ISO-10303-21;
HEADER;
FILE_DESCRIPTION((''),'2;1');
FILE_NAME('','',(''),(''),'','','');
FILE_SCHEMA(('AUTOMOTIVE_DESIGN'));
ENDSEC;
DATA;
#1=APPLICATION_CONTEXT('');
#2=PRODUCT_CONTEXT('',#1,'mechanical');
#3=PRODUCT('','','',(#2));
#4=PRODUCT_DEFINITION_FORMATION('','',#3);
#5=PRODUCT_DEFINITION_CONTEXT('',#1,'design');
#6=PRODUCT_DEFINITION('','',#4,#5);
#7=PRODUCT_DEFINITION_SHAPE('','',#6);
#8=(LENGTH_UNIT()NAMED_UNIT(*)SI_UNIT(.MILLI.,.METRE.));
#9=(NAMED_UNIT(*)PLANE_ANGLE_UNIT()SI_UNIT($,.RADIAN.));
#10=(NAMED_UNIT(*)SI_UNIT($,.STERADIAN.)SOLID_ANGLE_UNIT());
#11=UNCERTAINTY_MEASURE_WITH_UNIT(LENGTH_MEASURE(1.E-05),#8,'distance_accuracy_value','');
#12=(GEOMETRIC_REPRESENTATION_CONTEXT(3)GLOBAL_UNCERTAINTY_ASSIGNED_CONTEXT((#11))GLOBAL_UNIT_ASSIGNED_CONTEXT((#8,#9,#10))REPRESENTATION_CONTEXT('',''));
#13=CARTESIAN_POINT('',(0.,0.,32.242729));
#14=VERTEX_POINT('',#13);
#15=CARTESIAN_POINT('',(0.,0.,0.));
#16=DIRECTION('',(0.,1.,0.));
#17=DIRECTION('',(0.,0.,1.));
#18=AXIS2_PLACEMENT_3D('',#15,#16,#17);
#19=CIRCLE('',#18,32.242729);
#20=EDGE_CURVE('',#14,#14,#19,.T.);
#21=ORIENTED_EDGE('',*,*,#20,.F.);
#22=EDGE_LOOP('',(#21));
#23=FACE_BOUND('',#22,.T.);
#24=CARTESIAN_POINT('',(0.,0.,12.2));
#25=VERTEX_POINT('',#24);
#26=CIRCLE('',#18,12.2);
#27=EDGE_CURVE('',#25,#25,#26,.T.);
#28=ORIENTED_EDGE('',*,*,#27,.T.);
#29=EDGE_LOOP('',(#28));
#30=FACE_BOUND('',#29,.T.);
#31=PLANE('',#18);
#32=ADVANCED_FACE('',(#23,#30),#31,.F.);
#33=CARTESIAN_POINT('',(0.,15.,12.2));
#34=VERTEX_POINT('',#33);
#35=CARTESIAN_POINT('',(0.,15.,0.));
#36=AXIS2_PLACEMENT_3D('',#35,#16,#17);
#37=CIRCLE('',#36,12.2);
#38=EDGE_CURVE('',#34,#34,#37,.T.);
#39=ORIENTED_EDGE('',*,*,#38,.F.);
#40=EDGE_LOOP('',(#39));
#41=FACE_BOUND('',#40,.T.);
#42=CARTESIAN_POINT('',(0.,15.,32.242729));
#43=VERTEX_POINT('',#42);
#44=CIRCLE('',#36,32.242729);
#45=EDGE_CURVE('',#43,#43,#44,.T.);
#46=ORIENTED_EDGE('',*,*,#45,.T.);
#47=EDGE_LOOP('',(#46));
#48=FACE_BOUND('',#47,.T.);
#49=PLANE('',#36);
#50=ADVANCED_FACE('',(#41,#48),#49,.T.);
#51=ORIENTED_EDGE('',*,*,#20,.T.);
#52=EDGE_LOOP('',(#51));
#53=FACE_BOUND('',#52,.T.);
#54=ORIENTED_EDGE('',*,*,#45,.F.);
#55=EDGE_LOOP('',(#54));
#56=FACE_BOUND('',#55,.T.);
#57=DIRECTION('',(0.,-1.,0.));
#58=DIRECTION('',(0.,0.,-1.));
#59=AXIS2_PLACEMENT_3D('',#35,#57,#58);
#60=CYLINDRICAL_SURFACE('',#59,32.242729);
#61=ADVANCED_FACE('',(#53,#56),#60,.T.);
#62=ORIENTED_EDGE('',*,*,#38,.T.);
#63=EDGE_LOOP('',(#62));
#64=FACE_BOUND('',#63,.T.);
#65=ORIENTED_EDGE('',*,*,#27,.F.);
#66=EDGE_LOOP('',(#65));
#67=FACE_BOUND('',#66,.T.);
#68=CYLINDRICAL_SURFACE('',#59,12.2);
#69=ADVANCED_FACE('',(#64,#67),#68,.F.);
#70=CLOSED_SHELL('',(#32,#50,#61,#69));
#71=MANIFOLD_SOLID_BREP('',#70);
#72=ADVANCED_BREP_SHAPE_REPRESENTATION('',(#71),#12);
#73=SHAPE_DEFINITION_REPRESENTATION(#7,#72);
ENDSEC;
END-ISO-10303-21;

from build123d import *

# Parameters (mm, degrees)
SKETCH_1_R      = 32.24272922
SKETCH_1_R_2    = 12.2
EXTRUDE_1_DEPTH = 15


with BuildPart() as part:
    # 草图1 → 凸台-拉伸1 (new body)
    with BuildSketch(Plane(origin=(0, 0, 0), x_dir=(1, 0, 0), z_dir=(0, 1, 0))):
        with Locations(Location((0, 0, 0), (0, 0, 270))):
            Circle(SKETCH_1_R)
        with Locations(Location((0, 0, 0), (0, 0, 270))):
            Circle(SKETCH_1_R_2, mode=Mode.SUBTRACT)
    extrude(amount=EXTRUDE_1_DEPTH)


solid = part.part
